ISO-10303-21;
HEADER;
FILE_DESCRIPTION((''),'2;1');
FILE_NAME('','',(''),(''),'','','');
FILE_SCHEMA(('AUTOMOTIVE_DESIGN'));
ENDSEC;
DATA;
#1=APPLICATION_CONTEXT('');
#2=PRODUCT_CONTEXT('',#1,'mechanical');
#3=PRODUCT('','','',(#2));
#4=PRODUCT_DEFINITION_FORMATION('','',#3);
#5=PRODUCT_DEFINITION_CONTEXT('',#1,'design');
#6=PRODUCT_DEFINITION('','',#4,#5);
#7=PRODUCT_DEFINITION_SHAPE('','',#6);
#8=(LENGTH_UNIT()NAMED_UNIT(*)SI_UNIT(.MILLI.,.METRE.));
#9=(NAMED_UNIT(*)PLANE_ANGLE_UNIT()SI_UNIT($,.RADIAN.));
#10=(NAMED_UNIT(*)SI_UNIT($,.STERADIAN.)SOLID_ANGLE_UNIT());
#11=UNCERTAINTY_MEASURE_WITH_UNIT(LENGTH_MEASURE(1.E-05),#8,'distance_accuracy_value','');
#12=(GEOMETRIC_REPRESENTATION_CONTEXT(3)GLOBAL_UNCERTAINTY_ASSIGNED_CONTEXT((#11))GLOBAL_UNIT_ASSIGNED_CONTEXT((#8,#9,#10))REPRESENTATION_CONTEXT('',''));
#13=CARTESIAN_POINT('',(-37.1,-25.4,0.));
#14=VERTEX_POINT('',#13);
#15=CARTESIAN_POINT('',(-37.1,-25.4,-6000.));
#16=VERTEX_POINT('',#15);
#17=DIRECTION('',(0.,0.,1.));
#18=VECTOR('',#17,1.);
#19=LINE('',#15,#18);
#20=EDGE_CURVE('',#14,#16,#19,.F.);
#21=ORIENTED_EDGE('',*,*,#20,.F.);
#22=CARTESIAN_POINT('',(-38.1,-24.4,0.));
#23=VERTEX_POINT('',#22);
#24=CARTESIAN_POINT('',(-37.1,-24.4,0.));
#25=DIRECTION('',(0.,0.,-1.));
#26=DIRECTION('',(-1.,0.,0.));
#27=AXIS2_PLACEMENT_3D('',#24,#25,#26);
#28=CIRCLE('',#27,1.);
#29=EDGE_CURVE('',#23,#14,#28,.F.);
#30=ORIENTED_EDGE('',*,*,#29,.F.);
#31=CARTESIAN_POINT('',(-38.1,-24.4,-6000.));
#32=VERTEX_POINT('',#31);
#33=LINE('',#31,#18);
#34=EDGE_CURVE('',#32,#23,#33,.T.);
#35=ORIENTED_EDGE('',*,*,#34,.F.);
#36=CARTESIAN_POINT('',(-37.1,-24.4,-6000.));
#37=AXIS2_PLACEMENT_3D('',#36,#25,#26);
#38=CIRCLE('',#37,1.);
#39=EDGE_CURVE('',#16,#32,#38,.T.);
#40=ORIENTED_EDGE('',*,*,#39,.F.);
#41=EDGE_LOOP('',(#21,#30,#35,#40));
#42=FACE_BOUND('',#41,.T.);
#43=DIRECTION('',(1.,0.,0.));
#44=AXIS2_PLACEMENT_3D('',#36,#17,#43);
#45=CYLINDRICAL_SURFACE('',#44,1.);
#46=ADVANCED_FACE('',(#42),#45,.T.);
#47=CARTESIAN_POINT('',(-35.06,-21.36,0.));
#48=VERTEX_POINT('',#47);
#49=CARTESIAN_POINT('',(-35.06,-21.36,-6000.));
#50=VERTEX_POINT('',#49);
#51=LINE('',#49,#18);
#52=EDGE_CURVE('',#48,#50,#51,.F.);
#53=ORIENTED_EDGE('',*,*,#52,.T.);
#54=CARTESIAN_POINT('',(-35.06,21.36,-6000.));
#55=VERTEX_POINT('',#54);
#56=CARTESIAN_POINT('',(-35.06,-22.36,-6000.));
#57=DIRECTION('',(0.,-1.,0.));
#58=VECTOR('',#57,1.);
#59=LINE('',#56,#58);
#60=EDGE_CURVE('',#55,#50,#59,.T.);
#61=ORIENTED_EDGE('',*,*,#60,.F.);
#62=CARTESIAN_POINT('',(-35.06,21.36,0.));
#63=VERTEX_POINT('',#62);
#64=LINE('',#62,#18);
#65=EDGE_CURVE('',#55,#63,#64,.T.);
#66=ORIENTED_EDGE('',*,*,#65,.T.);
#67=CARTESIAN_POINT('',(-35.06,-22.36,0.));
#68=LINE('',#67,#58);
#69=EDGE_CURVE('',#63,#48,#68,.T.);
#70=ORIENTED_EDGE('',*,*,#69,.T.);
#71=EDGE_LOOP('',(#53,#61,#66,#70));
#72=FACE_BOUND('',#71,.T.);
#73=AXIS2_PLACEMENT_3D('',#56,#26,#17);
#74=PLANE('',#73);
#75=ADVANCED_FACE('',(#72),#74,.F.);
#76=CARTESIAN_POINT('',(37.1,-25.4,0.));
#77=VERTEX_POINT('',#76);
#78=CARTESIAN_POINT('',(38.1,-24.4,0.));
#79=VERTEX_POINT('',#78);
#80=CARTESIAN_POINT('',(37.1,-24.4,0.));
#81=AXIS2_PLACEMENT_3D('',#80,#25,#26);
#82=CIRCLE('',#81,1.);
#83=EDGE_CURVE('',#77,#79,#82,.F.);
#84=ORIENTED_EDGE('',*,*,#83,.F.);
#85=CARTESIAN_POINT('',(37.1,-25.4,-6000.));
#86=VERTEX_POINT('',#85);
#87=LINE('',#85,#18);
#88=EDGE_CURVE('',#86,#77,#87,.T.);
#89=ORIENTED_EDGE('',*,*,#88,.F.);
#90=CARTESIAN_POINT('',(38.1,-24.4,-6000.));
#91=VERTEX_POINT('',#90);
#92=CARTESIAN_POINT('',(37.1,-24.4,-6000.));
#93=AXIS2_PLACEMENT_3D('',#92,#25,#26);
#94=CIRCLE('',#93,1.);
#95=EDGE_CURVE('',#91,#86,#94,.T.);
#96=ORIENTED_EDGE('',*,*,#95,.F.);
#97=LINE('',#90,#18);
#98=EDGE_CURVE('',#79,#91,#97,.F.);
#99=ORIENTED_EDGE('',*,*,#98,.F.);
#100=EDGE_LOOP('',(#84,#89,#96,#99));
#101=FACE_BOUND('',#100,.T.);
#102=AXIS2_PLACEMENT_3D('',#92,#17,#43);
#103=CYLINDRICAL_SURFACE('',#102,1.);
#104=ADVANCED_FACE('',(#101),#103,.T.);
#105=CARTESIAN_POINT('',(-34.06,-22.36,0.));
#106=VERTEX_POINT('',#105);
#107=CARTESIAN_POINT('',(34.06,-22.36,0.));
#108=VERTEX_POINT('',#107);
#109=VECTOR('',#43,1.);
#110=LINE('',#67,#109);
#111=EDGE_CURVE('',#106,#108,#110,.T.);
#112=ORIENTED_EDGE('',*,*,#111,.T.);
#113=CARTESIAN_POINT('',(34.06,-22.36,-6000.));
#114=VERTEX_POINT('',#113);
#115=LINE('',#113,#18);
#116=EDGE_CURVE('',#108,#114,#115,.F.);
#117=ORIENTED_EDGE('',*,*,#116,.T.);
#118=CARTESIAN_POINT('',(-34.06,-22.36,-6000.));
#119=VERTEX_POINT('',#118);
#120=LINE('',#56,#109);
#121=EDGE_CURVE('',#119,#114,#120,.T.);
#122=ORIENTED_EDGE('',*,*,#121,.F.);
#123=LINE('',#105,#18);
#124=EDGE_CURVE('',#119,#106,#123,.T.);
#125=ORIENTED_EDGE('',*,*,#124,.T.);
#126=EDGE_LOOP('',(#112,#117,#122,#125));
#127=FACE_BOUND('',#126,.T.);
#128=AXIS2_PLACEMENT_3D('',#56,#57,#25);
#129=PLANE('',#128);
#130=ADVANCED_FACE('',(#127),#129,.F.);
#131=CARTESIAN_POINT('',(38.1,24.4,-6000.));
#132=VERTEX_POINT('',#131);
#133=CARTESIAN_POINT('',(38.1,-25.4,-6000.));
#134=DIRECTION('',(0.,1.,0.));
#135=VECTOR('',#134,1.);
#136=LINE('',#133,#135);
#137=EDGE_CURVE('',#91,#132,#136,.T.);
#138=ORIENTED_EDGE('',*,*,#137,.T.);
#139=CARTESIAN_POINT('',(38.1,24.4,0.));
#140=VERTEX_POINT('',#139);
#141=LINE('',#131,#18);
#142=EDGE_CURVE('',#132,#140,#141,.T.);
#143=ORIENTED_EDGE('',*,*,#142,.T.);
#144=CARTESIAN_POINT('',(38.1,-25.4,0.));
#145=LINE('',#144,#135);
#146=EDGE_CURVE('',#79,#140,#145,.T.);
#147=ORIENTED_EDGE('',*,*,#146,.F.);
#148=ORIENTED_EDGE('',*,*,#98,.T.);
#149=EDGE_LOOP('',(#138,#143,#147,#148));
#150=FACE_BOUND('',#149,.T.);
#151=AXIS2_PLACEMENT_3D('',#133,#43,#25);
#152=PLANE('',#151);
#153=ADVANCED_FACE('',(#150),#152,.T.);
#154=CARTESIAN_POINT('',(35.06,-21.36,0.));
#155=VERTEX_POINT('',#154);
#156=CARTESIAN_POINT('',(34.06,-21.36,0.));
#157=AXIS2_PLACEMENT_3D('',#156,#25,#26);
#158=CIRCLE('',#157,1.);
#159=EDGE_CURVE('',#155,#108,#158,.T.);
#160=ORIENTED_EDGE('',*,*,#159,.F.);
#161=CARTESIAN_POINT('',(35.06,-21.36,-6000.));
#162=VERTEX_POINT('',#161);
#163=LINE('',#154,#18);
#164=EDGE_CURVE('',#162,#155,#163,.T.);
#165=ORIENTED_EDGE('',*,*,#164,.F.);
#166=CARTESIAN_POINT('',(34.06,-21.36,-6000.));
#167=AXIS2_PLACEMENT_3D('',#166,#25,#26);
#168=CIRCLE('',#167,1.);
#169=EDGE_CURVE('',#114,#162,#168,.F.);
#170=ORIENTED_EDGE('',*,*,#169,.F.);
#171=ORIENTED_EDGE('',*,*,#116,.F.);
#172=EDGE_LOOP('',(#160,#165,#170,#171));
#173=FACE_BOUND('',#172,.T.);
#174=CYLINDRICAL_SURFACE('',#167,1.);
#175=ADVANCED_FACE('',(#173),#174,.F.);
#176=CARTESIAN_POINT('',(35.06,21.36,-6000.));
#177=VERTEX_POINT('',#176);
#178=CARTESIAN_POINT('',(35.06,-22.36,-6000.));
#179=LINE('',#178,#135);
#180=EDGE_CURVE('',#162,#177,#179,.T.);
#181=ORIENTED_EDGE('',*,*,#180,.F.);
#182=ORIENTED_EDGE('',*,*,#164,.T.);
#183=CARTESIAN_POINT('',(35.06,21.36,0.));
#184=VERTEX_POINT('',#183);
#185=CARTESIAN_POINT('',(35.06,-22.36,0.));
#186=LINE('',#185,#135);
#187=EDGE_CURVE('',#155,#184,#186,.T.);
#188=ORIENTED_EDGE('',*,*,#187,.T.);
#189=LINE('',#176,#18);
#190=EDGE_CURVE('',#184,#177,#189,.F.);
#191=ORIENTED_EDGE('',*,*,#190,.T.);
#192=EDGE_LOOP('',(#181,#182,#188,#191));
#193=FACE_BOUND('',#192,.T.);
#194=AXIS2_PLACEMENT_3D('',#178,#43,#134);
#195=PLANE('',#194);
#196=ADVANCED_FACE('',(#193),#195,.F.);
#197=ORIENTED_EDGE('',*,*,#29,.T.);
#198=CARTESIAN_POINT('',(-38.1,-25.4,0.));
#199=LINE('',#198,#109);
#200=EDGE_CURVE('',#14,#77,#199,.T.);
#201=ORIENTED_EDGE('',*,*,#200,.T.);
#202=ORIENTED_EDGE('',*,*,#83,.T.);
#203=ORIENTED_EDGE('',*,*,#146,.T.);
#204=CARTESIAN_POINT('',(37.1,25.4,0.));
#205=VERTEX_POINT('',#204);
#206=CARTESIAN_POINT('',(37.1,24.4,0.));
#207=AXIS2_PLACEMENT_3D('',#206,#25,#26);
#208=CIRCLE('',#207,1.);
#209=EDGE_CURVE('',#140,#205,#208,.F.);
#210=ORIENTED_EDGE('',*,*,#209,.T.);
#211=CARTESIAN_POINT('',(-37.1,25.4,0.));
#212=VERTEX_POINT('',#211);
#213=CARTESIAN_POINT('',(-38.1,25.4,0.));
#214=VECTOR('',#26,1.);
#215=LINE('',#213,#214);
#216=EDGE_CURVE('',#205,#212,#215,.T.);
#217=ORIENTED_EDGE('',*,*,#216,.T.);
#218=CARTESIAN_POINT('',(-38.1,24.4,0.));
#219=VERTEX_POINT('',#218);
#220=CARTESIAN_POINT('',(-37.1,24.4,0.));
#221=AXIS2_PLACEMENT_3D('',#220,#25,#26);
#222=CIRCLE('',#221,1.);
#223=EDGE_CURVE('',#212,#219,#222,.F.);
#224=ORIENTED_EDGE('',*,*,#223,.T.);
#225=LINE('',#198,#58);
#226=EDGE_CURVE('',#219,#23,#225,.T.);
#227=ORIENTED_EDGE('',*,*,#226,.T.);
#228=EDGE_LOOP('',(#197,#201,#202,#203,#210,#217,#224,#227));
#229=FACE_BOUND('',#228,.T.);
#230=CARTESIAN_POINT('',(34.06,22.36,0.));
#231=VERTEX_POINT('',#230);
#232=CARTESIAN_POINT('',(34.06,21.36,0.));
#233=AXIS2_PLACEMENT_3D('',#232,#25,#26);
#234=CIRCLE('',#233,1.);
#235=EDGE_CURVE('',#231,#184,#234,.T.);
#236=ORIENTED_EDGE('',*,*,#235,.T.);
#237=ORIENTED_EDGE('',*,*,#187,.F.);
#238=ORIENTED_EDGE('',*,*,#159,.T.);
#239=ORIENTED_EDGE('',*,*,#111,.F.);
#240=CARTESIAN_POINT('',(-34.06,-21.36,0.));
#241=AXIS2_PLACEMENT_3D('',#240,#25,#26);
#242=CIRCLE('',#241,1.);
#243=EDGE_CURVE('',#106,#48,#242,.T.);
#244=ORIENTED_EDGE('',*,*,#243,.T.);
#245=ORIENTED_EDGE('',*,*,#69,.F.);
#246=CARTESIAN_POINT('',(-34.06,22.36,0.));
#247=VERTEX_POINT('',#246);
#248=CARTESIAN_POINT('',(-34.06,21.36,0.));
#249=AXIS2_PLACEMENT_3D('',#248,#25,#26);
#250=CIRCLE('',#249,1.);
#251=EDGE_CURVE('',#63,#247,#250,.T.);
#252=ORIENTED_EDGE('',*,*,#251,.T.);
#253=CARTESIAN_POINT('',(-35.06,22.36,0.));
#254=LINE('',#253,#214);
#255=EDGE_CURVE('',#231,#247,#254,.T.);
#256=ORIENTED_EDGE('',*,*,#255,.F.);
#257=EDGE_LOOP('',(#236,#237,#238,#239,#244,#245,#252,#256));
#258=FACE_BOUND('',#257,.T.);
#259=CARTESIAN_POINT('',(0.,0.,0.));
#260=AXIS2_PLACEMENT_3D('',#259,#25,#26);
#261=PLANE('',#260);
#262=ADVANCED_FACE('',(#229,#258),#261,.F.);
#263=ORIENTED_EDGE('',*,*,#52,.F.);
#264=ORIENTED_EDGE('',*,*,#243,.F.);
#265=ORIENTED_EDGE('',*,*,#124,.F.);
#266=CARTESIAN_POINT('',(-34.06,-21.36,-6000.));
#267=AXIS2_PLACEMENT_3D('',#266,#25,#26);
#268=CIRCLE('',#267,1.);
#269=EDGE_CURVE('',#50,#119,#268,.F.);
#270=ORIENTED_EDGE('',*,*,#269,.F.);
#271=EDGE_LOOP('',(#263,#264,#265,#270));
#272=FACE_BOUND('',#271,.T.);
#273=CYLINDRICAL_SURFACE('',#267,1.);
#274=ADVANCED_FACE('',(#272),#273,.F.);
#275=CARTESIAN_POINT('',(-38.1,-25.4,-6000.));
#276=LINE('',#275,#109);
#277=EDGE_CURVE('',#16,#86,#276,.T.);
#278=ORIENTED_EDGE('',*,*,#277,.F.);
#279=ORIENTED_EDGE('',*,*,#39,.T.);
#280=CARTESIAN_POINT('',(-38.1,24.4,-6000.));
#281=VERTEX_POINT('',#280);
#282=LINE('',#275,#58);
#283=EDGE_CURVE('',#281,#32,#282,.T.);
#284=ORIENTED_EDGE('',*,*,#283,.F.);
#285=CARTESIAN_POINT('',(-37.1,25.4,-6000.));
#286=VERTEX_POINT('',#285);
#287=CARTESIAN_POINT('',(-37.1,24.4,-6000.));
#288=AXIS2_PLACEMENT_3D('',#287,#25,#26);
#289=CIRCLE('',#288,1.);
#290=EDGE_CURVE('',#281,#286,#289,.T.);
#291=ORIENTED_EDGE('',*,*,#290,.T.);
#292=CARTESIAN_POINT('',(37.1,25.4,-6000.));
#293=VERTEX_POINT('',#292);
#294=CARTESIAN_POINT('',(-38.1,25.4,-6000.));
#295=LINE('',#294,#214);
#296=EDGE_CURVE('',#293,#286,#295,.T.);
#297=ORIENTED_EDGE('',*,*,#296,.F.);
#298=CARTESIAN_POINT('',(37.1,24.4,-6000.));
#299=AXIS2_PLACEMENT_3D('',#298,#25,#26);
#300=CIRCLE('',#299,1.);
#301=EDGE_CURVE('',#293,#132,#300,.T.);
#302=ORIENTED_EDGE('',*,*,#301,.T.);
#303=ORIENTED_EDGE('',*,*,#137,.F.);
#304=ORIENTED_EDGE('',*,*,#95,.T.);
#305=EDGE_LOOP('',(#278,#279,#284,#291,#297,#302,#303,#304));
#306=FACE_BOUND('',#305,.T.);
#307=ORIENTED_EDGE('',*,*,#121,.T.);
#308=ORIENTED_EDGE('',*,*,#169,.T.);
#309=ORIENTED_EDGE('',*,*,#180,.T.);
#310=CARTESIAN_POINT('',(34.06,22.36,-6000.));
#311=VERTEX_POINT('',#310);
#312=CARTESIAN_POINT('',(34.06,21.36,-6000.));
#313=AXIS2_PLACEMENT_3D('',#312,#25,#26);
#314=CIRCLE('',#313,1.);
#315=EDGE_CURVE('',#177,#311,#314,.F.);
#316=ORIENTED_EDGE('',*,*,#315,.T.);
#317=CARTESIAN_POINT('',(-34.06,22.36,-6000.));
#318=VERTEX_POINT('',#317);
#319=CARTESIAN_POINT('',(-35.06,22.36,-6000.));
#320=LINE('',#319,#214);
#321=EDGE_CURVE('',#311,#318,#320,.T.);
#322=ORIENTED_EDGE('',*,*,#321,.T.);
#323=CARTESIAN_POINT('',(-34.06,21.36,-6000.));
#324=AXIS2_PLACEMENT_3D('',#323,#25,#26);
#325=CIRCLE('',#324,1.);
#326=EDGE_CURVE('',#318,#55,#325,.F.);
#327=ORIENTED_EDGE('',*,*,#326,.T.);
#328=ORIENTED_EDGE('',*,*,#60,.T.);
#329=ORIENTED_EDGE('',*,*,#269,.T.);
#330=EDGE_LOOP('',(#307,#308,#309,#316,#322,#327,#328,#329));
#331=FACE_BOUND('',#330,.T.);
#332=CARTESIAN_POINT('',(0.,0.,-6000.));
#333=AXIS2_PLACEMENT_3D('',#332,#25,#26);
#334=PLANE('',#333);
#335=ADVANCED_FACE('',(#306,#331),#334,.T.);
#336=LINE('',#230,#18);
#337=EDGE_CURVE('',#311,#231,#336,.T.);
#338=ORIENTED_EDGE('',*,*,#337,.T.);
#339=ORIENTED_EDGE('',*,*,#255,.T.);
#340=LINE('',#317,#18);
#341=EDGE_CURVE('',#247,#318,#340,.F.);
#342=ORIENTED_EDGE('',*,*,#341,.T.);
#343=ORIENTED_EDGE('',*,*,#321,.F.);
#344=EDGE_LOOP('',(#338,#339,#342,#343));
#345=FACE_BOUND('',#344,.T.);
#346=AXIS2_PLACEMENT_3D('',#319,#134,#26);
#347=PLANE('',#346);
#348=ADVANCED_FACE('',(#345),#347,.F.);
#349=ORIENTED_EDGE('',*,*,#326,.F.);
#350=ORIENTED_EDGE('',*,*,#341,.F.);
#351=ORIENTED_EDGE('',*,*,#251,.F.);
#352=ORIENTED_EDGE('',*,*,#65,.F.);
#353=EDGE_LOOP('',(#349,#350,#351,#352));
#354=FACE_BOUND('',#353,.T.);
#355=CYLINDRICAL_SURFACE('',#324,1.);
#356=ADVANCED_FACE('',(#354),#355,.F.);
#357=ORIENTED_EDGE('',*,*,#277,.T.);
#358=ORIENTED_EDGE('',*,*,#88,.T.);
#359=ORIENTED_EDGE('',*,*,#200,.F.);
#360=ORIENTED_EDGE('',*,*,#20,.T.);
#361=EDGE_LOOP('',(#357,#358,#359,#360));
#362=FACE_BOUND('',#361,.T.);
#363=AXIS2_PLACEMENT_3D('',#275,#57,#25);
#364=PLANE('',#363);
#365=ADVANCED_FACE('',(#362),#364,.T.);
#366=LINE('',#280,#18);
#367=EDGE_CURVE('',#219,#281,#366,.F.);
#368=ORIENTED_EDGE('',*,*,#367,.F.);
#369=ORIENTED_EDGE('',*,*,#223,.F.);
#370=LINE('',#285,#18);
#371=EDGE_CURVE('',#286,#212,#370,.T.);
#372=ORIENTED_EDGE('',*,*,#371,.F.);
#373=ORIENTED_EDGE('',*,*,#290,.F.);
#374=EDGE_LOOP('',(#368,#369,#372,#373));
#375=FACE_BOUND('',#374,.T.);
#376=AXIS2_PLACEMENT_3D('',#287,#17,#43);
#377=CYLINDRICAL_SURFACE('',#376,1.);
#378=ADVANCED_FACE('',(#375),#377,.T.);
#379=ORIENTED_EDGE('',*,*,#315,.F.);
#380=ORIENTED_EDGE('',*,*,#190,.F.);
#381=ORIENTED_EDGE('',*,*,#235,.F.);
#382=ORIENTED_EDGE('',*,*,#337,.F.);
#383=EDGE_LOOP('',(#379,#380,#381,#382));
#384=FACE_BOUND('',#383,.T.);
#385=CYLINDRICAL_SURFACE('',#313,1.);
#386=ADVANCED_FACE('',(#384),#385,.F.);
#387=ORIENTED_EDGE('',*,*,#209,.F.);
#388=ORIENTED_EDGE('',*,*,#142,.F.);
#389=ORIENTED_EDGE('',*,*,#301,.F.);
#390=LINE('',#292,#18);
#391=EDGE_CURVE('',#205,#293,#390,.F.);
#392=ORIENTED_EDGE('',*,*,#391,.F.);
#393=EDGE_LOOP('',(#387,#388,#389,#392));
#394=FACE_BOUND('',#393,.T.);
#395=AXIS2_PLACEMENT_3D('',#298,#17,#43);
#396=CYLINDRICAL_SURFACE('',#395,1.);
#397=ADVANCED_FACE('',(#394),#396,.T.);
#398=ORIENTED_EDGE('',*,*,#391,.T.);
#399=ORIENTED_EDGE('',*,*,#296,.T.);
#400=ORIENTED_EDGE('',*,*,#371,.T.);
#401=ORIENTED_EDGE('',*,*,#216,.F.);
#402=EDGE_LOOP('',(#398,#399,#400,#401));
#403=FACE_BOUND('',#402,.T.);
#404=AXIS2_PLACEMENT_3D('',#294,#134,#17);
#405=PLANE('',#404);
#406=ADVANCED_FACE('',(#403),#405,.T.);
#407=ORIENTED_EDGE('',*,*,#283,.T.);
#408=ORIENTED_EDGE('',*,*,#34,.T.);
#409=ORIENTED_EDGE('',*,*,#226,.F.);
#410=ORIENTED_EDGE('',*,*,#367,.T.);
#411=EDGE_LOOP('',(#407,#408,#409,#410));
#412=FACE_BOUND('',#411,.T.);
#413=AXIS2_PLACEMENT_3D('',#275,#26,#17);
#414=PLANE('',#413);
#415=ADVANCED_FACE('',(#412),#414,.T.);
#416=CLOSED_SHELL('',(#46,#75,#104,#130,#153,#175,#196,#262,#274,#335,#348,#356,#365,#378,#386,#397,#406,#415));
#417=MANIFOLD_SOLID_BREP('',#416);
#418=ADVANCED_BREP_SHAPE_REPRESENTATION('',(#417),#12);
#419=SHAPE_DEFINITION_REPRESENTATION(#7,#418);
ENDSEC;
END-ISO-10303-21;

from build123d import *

# Parameters (mm, degrees)
CROQUIS1_W              = 76.2
CROQUIS1_H              = 50.8
CROQUIS1_W_2            = 70.12
CROQUIS1_H_2            = 44.72
SALIENTE_EXTRUIR1_DEPTH = 6000
REDONDEO1_R             = 1


with BuildPart() as part:
    # Croquis1 → Saliente-Extruir1 (new body)
    with BuildSketch(Plane.XY):
        Rectangle(CROQUIS1_W, CROQUIS1_H)
        Rectangle(CROQUIS1_W_2, CROQUIS1_H_2, mode=Mode.SUBTRACT)
    extrude(amount=-SALIENTE_EXTRUIR1_DEPTH)

    # Redondeo1
    redondeo1_edges = [part.edges().sort_by_distance(p)[0] for p in [
        (35.06, -22.36, -3000),
        (-35.06, -22.36, -3000),
        (-35.06, 22.36, -3000),
        (35.06, 22.36, -3000),
        (38.1, -25.4, -3000),
        (-38.1, -25.4, -3000),
        (-38.1, 25.4, -3000),
        (38.1, 25.4, -3000),
    ]]
    fillet(redondeo1_edges, radius=REDONDEO1_R)


solid = part.part
